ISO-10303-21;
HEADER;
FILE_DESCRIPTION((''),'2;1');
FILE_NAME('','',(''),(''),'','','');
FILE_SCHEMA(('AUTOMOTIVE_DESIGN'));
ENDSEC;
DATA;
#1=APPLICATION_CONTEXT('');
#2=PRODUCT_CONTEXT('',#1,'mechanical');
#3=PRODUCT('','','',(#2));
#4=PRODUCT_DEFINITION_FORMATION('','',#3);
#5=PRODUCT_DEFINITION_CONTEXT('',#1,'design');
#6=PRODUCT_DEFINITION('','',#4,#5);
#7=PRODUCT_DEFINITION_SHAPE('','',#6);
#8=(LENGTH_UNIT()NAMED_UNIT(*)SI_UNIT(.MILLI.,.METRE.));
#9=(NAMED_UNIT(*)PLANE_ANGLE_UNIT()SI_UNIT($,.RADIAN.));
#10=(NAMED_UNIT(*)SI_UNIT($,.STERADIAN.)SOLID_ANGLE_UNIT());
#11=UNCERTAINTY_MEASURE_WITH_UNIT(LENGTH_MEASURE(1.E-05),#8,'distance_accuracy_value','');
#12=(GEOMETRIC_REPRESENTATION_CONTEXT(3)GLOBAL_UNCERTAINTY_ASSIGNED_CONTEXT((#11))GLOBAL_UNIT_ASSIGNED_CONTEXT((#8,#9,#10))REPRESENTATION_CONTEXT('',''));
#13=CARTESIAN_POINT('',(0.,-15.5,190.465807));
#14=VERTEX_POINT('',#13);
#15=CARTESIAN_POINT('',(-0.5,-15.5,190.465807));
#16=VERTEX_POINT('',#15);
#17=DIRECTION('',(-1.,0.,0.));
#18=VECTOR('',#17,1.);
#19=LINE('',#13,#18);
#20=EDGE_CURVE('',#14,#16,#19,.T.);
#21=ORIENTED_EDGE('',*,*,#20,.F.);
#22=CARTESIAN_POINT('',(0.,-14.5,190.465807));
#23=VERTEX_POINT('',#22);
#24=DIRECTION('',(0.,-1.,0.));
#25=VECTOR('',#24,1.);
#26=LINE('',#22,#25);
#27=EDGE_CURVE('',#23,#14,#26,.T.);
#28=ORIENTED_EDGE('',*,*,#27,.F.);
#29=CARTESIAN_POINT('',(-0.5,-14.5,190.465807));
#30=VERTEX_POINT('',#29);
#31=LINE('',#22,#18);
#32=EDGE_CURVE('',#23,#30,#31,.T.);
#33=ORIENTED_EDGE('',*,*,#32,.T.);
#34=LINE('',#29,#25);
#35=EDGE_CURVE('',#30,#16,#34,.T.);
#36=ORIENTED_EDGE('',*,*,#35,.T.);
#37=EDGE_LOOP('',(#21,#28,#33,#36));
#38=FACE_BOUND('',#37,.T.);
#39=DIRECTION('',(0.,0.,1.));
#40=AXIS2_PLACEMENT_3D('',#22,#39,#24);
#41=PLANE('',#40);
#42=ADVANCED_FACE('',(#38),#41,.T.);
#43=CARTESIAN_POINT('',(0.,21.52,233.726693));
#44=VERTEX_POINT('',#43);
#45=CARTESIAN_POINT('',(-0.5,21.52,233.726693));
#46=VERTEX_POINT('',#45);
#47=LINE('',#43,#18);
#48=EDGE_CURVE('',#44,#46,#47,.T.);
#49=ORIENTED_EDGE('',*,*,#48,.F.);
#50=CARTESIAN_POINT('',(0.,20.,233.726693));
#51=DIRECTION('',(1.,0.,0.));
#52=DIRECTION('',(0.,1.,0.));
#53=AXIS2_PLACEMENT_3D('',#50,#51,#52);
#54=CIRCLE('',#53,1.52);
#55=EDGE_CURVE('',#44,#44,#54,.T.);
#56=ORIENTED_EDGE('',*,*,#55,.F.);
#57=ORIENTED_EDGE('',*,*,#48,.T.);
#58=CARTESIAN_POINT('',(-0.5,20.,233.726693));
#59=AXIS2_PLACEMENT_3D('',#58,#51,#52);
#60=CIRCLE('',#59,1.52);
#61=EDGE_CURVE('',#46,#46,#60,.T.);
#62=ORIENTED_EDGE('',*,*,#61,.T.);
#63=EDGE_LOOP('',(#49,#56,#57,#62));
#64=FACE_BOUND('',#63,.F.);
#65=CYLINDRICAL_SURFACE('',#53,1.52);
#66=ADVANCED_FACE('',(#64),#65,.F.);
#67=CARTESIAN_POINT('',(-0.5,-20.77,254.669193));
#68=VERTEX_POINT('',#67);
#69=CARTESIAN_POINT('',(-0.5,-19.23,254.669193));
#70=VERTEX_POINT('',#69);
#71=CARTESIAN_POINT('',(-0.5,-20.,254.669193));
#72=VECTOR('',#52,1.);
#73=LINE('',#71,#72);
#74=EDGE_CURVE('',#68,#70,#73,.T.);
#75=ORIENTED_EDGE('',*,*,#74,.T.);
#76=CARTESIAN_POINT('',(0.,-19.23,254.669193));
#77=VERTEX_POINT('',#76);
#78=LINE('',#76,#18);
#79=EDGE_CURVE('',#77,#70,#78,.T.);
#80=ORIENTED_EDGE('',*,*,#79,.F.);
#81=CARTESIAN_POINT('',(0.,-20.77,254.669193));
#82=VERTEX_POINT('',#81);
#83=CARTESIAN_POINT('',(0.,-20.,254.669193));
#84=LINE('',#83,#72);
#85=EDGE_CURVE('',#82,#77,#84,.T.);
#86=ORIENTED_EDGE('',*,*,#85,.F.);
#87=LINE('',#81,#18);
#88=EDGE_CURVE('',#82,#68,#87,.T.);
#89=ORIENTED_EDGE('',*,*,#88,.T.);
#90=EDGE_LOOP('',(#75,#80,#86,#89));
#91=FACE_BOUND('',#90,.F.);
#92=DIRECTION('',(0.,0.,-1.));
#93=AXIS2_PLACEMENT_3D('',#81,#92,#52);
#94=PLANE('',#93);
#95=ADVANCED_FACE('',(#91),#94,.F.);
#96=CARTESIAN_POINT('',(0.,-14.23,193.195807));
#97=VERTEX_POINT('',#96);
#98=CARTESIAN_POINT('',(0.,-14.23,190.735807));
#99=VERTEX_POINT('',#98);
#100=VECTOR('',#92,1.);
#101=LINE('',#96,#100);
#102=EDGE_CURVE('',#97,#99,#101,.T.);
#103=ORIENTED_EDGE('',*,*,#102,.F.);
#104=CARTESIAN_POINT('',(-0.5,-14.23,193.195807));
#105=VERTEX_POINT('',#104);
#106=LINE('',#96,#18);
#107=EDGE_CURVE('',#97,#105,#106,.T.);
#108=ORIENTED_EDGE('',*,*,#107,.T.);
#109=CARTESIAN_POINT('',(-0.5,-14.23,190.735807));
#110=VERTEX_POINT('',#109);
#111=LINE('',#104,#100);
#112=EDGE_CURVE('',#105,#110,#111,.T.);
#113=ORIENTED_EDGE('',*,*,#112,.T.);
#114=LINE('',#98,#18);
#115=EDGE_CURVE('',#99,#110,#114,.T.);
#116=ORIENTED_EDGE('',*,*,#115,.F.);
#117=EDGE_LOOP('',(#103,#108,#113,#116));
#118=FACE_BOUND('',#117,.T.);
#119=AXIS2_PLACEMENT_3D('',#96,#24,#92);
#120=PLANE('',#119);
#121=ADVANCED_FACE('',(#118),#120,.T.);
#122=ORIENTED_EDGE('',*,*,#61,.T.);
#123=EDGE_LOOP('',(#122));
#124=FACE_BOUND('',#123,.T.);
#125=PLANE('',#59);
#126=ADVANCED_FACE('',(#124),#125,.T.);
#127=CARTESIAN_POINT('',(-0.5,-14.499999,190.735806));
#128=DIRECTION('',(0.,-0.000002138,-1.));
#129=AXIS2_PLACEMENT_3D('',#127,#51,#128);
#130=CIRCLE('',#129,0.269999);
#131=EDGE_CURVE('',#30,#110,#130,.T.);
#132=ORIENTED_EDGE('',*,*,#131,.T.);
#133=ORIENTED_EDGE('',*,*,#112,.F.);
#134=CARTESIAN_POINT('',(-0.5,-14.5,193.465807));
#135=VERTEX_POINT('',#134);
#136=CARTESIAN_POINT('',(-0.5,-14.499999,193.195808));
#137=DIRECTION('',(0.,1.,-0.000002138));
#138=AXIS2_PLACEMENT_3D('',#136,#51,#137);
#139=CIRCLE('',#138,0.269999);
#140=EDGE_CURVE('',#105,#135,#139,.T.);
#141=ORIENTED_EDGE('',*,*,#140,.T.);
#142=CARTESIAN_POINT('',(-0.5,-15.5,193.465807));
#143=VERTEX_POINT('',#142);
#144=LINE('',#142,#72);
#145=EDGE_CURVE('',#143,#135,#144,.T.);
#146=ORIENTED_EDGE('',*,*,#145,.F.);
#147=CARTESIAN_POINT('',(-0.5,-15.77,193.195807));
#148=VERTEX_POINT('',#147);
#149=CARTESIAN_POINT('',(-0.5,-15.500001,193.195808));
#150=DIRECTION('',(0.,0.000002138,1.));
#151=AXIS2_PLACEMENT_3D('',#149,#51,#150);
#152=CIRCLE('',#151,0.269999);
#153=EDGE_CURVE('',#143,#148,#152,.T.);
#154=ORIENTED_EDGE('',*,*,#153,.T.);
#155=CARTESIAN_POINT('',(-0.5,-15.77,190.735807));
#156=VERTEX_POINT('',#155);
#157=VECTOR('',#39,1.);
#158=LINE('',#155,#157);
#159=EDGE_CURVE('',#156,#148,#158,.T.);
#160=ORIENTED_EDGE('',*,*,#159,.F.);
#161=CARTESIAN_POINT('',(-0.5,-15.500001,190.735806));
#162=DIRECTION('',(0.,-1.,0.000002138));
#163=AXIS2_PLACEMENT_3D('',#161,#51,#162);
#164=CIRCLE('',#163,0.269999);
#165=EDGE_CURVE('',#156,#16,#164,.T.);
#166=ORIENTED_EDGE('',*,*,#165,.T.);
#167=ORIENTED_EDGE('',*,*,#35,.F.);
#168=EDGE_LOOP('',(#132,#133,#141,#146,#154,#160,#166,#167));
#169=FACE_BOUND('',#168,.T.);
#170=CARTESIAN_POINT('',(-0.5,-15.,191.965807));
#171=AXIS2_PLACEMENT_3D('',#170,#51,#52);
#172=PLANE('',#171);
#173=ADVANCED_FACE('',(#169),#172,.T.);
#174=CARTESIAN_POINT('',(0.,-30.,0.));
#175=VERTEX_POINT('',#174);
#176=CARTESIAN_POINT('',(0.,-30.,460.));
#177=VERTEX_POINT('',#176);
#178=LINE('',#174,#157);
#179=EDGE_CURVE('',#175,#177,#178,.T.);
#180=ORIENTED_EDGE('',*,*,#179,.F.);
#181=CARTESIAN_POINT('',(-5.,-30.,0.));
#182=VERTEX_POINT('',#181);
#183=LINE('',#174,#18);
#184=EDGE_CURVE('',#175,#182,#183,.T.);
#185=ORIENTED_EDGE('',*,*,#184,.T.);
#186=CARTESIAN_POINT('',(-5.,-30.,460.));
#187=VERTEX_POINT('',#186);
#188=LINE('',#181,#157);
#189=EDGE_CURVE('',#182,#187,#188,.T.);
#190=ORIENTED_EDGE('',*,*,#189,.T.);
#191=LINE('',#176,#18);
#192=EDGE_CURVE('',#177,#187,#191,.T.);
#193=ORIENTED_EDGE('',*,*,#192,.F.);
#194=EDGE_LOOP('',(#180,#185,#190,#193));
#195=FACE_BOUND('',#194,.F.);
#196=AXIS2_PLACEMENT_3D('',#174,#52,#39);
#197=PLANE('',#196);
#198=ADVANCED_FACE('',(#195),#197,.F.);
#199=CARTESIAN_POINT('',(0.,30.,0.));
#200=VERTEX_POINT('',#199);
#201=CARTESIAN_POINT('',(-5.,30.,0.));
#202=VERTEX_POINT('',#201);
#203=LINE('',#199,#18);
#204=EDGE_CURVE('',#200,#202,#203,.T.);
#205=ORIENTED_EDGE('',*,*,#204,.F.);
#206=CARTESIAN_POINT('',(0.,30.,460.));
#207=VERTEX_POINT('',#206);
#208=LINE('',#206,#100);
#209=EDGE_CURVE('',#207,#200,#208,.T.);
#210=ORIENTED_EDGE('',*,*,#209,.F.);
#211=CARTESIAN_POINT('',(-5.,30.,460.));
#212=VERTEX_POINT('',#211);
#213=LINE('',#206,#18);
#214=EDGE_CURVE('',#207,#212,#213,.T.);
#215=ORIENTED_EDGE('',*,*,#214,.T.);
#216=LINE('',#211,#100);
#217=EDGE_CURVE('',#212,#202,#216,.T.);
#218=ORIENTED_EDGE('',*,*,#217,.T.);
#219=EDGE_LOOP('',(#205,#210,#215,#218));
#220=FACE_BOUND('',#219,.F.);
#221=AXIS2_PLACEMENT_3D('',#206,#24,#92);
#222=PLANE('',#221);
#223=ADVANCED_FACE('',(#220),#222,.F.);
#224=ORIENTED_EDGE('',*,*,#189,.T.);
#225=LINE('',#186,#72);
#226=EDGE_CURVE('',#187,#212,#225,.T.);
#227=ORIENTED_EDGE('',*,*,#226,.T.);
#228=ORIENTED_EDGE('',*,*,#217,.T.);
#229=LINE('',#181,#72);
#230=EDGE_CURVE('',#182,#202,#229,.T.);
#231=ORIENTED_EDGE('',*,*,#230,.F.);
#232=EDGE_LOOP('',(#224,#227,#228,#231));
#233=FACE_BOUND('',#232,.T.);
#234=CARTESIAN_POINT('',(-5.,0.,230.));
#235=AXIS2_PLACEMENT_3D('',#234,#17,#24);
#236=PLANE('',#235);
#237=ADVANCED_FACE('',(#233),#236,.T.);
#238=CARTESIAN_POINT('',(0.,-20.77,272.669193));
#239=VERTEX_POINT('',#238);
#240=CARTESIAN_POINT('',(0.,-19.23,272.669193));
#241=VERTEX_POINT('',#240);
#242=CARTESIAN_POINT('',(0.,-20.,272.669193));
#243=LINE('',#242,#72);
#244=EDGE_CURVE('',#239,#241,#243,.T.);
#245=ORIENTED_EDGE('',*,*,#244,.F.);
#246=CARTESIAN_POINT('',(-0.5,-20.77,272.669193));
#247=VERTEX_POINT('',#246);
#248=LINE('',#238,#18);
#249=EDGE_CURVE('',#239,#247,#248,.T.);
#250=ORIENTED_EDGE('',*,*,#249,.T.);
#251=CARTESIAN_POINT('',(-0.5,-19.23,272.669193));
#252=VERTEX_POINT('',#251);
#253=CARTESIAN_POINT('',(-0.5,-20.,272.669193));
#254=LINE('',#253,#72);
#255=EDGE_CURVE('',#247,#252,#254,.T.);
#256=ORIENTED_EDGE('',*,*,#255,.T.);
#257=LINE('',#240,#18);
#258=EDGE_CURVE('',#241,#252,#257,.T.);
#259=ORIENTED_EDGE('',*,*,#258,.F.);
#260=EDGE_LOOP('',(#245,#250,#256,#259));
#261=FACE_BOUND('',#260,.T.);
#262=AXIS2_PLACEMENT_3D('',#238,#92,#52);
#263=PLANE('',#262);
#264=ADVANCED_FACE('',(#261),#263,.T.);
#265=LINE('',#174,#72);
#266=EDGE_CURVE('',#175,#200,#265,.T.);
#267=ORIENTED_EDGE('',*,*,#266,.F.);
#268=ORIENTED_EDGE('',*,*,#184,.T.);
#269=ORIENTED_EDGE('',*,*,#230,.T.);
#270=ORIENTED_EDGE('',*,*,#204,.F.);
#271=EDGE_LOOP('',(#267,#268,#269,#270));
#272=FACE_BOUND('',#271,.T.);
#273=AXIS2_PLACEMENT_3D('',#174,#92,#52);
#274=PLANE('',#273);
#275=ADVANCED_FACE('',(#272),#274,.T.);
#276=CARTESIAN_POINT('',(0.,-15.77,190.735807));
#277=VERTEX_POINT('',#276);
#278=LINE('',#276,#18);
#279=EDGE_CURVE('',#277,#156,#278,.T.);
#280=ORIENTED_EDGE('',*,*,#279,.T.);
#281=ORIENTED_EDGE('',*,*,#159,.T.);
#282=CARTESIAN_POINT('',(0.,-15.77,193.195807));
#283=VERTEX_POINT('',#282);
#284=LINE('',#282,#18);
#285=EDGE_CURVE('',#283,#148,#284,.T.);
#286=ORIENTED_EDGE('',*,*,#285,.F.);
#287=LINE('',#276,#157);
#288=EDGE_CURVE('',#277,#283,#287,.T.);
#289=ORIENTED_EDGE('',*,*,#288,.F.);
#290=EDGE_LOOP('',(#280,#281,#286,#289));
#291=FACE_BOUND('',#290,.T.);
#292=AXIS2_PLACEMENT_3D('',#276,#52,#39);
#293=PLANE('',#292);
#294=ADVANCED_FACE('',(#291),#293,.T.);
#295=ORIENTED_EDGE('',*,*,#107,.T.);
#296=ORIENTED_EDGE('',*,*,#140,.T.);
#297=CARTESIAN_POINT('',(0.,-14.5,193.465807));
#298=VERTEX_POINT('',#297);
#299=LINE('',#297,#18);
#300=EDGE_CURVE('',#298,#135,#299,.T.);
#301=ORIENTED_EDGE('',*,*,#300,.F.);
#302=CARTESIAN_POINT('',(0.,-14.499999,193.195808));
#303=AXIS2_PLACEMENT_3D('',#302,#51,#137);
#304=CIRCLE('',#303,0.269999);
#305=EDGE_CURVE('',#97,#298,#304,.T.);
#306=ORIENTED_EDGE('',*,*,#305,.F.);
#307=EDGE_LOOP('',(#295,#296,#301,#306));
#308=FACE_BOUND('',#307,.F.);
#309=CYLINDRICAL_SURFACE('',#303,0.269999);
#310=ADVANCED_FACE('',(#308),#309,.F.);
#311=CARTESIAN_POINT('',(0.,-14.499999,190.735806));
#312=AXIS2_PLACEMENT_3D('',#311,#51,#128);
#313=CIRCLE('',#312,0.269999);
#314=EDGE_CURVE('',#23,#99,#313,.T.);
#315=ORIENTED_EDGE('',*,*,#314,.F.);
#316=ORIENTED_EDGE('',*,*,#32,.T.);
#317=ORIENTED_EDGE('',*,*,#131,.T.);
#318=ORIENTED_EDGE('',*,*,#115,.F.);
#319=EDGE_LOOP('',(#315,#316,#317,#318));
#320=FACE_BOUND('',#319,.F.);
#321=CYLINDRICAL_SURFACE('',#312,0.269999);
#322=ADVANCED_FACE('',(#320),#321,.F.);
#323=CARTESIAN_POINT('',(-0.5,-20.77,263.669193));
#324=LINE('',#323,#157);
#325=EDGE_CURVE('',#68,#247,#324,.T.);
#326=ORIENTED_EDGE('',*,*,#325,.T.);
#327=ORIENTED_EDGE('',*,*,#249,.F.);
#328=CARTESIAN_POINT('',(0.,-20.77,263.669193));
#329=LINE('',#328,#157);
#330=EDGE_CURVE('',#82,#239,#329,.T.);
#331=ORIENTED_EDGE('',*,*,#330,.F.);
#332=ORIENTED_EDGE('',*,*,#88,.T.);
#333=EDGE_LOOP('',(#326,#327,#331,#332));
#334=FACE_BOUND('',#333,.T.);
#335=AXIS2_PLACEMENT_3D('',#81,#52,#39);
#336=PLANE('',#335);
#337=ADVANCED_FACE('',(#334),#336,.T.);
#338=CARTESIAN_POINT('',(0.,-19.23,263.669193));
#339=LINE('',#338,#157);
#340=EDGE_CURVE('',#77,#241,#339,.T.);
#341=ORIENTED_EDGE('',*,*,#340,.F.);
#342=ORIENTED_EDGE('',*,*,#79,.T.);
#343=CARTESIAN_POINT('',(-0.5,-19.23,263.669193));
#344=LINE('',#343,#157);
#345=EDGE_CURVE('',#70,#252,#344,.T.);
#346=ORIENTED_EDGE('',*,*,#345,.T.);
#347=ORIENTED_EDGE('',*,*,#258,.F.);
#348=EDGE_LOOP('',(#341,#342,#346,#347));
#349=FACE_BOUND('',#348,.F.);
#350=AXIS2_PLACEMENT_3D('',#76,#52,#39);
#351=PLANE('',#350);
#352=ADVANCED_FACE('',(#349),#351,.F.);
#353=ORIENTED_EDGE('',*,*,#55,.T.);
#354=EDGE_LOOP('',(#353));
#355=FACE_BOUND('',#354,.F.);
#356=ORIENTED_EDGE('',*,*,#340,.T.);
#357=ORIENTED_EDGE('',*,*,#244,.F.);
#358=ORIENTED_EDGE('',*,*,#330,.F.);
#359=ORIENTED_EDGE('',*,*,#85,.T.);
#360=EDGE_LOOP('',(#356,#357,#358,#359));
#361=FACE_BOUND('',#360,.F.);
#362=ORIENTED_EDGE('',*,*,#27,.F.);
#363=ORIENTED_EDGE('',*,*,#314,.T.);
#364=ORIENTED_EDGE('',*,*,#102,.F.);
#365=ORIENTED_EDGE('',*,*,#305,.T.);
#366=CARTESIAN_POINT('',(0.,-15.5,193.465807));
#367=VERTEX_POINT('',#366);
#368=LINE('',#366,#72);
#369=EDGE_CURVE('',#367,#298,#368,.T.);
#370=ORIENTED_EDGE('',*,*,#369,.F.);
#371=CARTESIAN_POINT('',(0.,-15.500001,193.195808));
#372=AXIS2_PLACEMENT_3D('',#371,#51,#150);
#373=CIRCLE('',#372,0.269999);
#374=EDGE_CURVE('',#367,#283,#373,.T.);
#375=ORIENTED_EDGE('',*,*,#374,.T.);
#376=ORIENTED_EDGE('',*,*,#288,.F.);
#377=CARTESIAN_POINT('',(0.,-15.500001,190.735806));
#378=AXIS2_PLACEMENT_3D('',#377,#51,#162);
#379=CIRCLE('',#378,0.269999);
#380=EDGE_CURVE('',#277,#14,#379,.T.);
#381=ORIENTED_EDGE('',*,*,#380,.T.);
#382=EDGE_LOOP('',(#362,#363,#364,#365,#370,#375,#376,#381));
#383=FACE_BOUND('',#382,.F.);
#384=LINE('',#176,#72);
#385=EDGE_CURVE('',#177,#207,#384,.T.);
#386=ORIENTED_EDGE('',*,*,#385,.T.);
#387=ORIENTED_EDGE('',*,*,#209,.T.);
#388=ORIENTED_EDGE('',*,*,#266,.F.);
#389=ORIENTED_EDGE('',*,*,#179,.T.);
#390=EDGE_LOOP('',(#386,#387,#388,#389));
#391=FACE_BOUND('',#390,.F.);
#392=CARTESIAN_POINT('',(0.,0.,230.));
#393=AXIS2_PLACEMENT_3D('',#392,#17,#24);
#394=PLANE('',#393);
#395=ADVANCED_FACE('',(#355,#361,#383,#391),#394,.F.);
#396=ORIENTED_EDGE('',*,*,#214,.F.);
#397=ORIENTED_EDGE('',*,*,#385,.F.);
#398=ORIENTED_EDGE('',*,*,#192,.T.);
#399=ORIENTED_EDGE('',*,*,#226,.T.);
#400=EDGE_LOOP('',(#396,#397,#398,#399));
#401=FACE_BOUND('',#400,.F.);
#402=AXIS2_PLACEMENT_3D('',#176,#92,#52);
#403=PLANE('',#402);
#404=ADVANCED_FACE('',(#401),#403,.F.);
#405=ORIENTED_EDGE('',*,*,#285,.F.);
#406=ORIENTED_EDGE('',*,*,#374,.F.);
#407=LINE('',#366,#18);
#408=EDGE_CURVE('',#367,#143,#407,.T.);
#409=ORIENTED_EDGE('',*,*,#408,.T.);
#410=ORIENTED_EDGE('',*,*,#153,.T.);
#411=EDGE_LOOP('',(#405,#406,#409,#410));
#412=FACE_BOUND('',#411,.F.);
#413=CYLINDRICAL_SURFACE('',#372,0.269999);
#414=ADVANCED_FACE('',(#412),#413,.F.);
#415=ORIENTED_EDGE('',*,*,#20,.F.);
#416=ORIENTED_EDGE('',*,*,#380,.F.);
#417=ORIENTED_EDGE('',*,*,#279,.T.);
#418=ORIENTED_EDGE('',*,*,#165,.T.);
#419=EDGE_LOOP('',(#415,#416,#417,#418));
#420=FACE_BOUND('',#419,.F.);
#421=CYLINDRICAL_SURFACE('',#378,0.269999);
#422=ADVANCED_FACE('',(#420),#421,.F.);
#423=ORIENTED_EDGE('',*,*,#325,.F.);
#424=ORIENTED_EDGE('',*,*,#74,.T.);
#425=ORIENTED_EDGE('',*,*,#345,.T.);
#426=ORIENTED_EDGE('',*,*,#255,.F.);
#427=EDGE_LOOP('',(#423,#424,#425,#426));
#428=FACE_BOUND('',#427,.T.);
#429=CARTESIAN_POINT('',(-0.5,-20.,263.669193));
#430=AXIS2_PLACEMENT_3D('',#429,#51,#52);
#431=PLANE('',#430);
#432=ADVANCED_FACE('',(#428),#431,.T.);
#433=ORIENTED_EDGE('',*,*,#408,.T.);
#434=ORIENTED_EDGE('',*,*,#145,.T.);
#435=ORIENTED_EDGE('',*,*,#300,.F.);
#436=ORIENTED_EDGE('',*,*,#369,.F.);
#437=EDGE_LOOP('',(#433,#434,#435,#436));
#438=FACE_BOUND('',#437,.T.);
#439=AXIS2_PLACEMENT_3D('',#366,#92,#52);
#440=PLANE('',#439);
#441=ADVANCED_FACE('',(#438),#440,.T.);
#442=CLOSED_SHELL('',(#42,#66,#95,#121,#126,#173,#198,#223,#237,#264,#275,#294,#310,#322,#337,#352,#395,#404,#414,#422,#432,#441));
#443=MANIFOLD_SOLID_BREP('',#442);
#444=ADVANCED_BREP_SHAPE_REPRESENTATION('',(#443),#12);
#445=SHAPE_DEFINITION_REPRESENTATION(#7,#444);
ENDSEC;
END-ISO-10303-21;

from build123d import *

# Parameters (mm, degrees)
PAD_DEPTH       = 5
SKETCH001_R     = 1.52
POCKET_DEPTH    = 0.5
SKETCH002_W     = 1.54
SKETCH002_H     = 18
POCKET001_DEPTH = 0.5
POCKET002_DEPTH = 0.5


with BuildPart() as part:
    # Sketch → Pad (new body)
    with BuildSketch(Plane.YZ):
        Polygon((0, 0), (-30, 0), (-30, 460), (30, 460), (30, 0), align=None)
    extrude(amount=-PAD_DEPTH)

    # Sketch001 → Pocket (cut)
    with BuildSketch(Plane.YZ):
        with Locations((20, 233.726693)):
            Circle(SKETCH001_R)
    extrude(amount=-POCKET_DEPTH, mode=Mode.SUBTRACT)

    # Sketch002 → Pocket001 (cut)
    with BuildSketch(Plane.YZ):
        with Locations((-20, 263.669193)):
            Rectangle(SKETCH002_W, SKETCH002_H)
    extrude(amount=-POCKET001_DEPTH, mode=Mode.SUBTRACT)

    # Sketch003 → Pocket002 (cut)
    with BuildSketch(Plane.YZ):
        with BuildLine():
            ThreePointArc((-15.5, 193.465807), (-15.690919, 193.386726), (-15.77, 193.195807))
            Line((-15.77, 190.735807), (-15.77, 193.195807))
            ThreePointArc((-15.77, 190.735807), (-15.690919, 190.544888), (-15.5, 190.465807))
            Line((-14.5, 190.465807), (-15.5, 190.465807))
            ThreePointArc((-14.5, 190.465807), (-14.309081, 190.544888), (-14.23, 190.735807))
            Line((-14.23, 193.195807), (-14.23, 190.735807))
            ThreePointArc((-14.23, 193.195807), (-14.309081, 193.386726), (-14.5, 193.465807))
            Line((-15.5, 193.465807), (-14.5, 193.465807))
        make_face()
    extrude(amount=-POCKET002_DEPTH, mode=Mode.SUBTRACT)


solid = part.part
